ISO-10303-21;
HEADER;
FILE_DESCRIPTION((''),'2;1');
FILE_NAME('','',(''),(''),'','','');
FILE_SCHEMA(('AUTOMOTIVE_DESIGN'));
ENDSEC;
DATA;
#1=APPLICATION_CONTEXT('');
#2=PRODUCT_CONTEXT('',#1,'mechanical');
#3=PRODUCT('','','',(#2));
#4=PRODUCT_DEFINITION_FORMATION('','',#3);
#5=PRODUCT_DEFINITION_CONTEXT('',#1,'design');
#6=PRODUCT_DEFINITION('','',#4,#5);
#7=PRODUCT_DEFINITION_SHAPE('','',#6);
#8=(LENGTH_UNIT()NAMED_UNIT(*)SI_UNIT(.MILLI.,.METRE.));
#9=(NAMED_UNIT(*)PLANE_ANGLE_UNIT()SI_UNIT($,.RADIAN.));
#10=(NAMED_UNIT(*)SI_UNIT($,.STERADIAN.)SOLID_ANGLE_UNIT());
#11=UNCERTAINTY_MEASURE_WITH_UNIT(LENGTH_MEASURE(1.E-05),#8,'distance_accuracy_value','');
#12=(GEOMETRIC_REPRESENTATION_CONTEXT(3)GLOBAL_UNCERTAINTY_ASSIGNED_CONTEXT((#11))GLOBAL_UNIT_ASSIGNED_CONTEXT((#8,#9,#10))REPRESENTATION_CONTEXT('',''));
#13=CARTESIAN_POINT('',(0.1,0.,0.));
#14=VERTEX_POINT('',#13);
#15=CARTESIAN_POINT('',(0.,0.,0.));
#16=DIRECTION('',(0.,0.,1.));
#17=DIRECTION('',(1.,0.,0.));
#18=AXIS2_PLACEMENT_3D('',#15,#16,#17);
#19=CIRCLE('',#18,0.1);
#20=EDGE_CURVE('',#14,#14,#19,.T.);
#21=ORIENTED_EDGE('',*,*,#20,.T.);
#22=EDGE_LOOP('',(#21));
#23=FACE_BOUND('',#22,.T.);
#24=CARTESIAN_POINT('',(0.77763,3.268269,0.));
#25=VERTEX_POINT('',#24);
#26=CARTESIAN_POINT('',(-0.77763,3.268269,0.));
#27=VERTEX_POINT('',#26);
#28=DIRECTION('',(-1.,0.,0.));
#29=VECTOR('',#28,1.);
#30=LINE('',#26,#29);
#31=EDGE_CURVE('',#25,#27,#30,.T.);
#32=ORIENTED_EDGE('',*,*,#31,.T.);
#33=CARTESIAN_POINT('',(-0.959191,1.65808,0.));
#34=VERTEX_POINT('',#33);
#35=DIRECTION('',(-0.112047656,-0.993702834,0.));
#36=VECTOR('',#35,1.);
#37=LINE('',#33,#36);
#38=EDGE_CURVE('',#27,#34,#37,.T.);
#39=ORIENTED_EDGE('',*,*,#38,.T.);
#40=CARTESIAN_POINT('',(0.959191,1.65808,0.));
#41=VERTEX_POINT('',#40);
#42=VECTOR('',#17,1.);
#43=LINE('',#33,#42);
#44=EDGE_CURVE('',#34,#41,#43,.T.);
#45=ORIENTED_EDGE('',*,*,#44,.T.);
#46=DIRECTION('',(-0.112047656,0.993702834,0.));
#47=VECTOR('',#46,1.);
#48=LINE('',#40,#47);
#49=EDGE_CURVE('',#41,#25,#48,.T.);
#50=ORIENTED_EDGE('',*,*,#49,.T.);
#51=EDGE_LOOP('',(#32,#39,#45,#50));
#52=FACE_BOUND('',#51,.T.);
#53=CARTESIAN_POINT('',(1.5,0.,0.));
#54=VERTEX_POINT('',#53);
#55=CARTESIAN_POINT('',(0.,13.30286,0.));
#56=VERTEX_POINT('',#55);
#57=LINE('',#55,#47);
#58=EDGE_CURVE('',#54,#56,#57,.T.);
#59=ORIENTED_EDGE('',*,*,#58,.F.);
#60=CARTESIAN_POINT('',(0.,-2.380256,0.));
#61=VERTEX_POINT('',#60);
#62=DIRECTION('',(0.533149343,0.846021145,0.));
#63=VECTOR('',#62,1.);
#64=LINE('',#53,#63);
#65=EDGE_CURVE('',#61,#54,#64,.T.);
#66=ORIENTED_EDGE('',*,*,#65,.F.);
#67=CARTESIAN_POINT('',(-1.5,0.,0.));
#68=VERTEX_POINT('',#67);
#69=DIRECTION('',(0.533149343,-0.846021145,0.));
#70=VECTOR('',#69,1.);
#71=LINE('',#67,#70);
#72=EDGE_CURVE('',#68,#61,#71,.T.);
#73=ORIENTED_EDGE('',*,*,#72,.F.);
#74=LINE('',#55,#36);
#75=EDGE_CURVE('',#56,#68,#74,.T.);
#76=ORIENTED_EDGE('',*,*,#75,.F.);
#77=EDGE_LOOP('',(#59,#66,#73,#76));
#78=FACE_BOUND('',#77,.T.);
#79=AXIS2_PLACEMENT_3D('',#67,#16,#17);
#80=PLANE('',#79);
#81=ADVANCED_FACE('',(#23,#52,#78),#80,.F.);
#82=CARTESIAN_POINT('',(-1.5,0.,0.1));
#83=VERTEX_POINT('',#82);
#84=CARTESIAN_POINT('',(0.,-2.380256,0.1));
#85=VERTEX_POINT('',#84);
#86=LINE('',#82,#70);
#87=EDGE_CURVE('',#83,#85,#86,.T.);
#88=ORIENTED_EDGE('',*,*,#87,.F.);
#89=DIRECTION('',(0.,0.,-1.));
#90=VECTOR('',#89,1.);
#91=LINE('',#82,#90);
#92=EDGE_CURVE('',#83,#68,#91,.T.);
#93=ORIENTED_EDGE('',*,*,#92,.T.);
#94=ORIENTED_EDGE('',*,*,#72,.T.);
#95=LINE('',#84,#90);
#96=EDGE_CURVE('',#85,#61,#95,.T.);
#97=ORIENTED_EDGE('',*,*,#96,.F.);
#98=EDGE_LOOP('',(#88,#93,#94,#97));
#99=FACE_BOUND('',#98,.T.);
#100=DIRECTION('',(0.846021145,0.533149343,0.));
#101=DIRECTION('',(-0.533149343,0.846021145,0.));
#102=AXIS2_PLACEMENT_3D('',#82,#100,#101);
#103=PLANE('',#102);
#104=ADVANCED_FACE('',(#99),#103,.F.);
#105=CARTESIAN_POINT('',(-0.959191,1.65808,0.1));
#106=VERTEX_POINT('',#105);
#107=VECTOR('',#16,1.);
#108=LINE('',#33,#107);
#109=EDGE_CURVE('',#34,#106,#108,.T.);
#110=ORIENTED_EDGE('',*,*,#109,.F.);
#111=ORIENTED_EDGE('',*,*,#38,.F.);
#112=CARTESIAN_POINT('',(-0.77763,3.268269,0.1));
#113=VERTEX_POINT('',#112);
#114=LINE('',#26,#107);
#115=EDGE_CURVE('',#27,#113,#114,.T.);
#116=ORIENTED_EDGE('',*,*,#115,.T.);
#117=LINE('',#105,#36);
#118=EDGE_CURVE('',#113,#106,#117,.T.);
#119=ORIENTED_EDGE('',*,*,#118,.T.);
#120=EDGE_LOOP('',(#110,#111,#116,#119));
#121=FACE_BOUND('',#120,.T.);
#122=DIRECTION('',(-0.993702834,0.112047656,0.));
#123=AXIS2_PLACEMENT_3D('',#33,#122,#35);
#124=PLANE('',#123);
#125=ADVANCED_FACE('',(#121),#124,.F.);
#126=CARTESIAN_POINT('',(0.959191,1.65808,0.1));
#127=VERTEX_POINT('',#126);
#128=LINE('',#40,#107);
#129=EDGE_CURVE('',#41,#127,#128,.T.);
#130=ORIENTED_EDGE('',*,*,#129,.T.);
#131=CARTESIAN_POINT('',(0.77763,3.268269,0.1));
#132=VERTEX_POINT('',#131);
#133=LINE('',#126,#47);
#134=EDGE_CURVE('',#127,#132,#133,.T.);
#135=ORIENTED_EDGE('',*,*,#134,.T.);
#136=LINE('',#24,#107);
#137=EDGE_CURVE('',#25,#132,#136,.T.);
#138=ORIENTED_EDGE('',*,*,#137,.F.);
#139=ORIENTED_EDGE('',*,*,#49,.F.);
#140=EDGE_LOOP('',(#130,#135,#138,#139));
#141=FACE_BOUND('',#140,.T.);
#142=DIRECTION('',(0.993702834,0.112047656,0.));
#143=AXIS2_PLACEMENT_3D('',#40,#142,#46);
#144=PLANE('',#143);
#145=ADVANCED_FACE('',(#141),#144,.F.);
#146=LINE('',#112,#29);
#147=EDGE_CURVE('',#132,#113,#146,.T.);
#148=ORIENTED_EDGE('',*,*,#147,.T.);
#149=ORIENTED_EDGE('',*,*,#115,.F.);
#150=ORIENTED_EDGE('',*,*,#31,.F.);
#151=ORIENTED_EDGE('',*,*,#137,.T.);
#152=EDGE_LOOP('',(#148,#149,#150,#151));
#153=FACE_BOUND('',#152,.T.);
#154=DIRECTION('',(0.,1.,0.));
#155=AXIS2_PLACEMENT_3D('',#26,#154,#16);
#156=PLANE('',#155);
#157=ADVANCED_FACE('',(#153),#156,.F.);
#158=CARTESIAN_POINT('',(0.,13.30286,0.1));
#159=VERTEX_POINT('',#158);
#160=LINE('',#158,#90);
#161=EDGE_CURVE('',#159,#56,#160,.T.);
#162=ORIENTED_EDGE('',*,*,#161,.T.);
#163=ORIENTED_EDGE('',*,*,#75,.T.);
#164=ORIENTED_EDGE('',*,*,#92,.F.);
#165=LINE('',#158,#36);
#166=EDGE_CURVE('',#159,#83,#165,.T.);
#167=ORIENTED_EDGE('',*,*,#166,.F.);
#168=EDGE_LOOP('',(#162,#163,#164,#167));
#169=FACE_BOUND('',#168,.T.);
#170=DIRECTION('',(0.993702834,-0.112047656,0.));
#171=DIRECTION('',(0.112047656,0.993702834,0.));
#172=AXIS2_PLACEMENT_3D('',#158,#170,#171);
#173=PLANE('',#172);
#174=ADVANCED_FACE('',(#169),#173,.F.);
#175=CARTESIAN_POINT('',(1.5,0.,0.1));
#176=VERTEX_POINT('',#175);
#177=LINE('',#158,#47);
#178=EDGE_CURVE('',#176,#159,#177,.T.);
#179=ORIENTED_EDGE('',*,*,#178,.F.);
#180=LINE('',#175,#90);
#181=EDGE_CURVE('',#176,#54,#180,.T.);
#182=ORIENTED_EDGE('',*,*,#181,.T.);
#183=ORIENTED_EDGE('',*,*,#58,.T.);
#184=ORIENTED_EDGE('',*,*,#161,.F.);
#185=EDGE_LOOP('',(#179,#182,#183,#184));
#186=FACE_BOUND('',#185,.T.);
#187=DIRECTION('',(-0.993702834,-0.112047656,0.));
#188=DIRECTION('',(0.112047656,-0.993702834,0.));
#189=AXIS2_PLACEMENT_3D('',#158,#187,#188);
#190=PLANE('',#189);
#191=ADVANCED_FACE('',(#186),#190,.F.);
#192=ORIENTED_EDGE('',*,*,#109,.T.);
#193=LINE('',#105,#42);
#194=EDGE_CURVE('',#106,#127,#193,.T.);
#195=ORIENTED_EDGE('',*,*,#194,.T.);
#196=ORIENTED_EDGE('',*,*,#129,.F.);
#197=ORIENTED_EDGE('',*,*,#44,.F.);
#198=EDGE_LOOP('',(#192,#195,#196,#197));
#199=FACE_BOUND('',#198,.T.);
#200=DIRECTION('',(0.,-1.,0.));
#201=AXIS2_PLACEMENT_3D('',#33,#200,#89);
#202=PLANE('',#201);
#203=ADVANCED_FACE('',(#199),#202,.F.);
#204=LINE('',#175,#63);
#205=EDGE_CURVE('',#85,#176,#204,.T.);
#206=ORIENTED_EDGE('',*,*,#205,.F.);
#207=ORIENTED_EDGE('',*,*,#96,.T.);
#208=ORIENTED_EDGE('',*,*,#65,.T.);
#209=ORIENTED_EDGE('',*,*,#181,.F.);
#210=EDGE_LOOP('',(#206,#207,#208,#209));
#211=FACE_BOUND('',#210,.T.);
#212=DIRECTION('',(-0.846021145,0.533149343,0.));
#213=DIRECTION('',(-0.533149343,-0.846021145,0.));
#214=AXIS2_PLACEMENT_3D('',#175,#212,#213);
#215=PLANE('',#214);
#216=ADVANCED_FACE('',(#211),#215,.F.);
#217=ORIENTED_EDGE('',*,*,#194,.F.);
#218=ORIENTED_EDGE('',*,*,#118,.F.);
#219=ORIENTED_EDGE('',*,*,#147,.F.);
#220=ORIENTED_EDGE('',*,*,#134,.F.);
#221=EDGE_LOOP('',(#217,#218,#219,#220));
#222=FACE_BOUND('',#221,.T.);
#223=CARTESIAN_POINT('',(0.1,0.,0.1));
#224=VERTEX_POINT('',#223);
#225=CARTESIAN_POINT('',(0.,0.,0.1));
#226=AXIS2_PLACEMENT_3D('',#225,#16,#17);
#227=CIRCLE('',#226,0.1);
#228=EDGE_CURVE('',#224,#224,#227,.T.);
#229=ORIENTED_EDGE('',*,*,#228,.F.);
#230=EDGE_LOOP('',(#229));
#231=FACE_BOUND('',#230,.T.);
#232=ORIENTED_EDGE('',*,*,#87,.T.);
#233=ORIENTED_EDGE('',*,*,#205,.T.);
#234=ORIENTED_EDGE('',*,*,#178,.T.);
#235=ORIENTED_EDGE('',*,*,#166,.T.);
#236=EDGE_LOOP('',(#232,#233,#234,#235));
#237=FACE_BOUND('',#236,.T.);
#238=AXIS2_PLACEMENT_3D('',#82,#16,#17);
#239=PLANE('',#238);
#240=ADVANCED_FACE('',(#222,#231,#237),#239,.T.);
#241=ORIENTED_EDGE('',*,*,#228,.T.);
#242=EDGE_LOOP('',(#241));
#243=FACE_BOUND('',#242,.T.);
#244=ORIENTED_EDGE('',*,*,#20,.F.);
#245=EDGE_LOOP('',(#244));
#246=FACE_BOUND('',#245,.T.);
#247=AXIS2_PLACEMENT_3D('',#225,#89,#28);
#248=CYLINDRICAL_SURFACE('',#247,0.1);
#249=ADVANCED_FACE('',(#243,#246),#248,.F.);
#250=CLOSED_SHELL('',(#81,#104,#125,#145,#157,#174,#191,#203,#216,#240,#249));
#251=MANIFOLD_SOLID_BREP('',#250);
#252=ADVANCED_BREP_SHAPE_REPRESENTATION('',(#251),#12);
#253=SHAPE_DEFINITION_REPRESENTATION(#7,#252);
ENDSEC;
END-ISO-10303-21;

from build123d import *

# Parameters (mm, degrees)
SKETCH1_R           = 0.1
BOSS_EXTRUDE1_DEPTH = 0.1
CUT_EXTRUDE1_DEPTH  = 0.1


with BuildPart() as part:
    # Sketch1 → Boss-Extrude1 (new body)
    with BuildSketch(Plane.XY):
        Polygon((0, 13.302859744), (1.5, 0), (0, -2.380255614), (-1.5, 0), align=None)
        Circle(SKETCH1_R, mode=Mode.SUBTRACT)
    extrude(amount=BOSS_EXTRUDE1_DEPTH)

    # Sketch2 → Cut-Extrude1 (cut)
    with BuildSketch(Plane.XY.offset(0.1)):
        Polygon((-0.959190931, 1.658080162), (0.959190931, 1.658080162), (0.777629766, 3.268268638), (-0.777629766, 3.268268638), align=None)
    extrude(amount=-CUT_EXTRUDE1_DEPTH, mode=Mode.SUBTRACT)


solid = part.part
